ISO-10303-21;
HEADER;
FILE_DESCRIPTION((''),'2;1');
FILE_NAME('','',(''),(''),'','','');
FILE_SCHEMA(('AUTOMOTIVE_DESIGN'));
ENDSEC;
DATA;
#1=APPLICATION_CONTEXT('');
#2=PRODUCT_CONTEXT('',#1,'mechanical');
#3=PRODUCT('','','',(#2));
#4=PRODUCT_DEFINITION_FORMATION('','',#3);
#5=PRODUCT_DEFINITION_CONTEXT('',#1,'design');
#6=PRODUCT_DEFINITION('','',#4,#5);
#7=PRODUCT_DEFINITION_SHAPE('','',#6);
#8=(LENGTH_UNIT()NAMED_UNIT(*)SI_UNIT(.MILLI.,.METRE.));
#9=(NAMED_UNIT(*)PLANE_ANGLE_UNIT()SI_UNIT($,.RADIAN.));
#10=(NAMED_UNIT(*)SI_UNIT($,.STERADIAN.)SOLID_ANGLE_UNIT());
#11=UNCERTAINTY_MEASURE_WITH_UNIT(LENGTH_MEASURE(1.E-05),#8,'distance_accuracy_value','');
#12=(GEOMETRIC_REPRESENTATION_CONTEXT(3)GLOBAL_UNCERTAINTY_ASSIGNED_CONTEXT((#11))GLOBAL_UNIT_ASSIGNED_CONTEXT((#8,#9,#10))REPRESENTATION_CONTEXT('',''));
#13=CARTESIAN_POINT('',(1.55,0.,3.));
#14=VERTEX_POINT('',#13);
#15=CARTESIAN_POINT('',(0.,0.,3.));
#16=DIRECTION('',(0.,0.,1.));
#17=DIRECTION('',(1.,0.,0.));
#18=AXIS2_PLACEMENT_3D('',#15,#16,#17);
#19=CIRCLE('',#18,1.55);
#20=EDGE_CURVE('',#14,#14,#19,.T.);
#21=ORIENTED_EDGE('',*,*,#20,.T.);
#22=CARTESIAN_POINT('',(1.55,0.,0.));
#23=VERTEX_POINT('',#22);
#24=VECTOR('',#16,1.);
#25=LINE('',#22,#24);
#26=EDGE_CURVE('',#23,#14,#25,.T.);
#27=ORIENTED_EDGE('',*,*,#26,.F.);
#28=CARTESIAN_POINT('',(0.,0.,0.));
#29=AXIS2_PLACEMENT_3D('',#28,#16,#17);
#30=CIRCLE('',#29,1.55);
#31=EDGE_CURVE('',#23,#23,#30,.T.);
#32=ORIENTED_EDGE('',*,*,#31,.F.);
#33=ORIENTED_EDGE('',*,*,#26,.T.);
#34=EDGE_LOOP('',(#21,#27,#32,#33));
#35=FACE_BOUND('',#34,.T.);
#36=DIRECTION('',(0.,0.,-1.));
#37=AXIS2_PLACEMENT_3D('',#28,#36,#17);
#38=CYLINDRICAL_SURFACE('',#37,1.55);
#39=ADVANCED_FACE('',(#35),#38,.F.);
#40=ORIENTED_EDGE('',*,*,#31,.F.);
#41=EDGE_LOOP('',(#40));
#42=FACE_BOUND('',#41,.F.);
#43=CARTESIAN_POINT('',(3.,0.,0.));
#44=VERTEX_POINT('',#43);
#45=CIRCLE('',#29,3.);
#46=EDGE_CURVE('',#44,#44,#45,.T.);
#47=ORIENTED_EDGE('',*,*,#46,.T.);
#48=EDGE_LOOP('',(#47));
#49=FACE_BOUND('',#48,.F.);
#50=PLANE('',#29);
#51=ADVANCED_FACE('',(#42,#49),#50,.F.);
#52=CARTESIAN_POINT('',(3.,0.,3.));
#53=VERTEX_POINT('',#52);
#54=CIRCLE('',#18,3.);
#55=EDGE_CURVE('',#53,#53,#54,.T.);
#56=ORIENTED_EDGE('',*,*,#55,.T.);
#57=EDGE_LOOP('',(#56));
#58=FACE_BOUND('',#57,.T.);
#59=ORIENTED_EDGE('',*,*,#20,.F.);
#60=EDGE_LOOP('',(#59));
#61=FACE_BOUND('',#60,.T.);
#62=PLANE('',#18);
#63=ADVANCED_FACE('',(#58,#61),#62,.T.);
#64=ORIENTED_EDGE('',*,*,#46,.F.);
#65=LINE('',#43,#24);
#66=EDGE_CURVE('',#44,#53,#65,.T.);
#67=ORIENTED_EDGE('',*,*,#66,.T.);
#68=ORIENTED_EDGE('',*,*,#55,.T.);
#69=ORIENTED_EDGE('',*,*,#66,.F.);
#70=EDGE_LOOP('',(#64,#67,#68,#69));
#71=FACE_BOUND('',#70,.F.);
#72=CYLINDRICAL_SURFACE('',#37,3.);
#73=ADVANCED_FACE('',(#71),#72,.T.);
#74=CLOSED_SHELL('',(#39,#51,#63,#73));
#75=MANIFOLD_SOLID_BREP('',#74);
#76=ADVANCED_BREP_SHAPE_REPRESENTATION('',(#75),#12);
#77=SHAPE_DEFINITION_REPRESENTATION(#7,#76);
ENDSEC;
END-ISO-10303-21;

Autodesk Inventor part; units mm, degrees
ref_plane "YZ Plane" through (0, 0, 0) normal (1, 0, 0) x (0, 1, 0)
ref_plane "XZ Plane" through (0, 0, 0) normal (0, 1, 0) x (-1, 0, 0)
ref_plane "XY Plane" through (0, 0, 0) normal (0, 0, 1) x (1, 0, 0)
sketch "スケッチ11" plane through (0, 0, 0) normal (0, 0, 1) x (1, 0, 0)
  circle A0 centre (0, 0) radius 1.55
  circle A1 centre (0, 0) radius 3
  dimension "d34" = 3.1
  dimension "d35" = 6
extrude "押し出し10" add sketch "スケッチ11" along normal blind 3
properties part number "canere_02_t3_02"
